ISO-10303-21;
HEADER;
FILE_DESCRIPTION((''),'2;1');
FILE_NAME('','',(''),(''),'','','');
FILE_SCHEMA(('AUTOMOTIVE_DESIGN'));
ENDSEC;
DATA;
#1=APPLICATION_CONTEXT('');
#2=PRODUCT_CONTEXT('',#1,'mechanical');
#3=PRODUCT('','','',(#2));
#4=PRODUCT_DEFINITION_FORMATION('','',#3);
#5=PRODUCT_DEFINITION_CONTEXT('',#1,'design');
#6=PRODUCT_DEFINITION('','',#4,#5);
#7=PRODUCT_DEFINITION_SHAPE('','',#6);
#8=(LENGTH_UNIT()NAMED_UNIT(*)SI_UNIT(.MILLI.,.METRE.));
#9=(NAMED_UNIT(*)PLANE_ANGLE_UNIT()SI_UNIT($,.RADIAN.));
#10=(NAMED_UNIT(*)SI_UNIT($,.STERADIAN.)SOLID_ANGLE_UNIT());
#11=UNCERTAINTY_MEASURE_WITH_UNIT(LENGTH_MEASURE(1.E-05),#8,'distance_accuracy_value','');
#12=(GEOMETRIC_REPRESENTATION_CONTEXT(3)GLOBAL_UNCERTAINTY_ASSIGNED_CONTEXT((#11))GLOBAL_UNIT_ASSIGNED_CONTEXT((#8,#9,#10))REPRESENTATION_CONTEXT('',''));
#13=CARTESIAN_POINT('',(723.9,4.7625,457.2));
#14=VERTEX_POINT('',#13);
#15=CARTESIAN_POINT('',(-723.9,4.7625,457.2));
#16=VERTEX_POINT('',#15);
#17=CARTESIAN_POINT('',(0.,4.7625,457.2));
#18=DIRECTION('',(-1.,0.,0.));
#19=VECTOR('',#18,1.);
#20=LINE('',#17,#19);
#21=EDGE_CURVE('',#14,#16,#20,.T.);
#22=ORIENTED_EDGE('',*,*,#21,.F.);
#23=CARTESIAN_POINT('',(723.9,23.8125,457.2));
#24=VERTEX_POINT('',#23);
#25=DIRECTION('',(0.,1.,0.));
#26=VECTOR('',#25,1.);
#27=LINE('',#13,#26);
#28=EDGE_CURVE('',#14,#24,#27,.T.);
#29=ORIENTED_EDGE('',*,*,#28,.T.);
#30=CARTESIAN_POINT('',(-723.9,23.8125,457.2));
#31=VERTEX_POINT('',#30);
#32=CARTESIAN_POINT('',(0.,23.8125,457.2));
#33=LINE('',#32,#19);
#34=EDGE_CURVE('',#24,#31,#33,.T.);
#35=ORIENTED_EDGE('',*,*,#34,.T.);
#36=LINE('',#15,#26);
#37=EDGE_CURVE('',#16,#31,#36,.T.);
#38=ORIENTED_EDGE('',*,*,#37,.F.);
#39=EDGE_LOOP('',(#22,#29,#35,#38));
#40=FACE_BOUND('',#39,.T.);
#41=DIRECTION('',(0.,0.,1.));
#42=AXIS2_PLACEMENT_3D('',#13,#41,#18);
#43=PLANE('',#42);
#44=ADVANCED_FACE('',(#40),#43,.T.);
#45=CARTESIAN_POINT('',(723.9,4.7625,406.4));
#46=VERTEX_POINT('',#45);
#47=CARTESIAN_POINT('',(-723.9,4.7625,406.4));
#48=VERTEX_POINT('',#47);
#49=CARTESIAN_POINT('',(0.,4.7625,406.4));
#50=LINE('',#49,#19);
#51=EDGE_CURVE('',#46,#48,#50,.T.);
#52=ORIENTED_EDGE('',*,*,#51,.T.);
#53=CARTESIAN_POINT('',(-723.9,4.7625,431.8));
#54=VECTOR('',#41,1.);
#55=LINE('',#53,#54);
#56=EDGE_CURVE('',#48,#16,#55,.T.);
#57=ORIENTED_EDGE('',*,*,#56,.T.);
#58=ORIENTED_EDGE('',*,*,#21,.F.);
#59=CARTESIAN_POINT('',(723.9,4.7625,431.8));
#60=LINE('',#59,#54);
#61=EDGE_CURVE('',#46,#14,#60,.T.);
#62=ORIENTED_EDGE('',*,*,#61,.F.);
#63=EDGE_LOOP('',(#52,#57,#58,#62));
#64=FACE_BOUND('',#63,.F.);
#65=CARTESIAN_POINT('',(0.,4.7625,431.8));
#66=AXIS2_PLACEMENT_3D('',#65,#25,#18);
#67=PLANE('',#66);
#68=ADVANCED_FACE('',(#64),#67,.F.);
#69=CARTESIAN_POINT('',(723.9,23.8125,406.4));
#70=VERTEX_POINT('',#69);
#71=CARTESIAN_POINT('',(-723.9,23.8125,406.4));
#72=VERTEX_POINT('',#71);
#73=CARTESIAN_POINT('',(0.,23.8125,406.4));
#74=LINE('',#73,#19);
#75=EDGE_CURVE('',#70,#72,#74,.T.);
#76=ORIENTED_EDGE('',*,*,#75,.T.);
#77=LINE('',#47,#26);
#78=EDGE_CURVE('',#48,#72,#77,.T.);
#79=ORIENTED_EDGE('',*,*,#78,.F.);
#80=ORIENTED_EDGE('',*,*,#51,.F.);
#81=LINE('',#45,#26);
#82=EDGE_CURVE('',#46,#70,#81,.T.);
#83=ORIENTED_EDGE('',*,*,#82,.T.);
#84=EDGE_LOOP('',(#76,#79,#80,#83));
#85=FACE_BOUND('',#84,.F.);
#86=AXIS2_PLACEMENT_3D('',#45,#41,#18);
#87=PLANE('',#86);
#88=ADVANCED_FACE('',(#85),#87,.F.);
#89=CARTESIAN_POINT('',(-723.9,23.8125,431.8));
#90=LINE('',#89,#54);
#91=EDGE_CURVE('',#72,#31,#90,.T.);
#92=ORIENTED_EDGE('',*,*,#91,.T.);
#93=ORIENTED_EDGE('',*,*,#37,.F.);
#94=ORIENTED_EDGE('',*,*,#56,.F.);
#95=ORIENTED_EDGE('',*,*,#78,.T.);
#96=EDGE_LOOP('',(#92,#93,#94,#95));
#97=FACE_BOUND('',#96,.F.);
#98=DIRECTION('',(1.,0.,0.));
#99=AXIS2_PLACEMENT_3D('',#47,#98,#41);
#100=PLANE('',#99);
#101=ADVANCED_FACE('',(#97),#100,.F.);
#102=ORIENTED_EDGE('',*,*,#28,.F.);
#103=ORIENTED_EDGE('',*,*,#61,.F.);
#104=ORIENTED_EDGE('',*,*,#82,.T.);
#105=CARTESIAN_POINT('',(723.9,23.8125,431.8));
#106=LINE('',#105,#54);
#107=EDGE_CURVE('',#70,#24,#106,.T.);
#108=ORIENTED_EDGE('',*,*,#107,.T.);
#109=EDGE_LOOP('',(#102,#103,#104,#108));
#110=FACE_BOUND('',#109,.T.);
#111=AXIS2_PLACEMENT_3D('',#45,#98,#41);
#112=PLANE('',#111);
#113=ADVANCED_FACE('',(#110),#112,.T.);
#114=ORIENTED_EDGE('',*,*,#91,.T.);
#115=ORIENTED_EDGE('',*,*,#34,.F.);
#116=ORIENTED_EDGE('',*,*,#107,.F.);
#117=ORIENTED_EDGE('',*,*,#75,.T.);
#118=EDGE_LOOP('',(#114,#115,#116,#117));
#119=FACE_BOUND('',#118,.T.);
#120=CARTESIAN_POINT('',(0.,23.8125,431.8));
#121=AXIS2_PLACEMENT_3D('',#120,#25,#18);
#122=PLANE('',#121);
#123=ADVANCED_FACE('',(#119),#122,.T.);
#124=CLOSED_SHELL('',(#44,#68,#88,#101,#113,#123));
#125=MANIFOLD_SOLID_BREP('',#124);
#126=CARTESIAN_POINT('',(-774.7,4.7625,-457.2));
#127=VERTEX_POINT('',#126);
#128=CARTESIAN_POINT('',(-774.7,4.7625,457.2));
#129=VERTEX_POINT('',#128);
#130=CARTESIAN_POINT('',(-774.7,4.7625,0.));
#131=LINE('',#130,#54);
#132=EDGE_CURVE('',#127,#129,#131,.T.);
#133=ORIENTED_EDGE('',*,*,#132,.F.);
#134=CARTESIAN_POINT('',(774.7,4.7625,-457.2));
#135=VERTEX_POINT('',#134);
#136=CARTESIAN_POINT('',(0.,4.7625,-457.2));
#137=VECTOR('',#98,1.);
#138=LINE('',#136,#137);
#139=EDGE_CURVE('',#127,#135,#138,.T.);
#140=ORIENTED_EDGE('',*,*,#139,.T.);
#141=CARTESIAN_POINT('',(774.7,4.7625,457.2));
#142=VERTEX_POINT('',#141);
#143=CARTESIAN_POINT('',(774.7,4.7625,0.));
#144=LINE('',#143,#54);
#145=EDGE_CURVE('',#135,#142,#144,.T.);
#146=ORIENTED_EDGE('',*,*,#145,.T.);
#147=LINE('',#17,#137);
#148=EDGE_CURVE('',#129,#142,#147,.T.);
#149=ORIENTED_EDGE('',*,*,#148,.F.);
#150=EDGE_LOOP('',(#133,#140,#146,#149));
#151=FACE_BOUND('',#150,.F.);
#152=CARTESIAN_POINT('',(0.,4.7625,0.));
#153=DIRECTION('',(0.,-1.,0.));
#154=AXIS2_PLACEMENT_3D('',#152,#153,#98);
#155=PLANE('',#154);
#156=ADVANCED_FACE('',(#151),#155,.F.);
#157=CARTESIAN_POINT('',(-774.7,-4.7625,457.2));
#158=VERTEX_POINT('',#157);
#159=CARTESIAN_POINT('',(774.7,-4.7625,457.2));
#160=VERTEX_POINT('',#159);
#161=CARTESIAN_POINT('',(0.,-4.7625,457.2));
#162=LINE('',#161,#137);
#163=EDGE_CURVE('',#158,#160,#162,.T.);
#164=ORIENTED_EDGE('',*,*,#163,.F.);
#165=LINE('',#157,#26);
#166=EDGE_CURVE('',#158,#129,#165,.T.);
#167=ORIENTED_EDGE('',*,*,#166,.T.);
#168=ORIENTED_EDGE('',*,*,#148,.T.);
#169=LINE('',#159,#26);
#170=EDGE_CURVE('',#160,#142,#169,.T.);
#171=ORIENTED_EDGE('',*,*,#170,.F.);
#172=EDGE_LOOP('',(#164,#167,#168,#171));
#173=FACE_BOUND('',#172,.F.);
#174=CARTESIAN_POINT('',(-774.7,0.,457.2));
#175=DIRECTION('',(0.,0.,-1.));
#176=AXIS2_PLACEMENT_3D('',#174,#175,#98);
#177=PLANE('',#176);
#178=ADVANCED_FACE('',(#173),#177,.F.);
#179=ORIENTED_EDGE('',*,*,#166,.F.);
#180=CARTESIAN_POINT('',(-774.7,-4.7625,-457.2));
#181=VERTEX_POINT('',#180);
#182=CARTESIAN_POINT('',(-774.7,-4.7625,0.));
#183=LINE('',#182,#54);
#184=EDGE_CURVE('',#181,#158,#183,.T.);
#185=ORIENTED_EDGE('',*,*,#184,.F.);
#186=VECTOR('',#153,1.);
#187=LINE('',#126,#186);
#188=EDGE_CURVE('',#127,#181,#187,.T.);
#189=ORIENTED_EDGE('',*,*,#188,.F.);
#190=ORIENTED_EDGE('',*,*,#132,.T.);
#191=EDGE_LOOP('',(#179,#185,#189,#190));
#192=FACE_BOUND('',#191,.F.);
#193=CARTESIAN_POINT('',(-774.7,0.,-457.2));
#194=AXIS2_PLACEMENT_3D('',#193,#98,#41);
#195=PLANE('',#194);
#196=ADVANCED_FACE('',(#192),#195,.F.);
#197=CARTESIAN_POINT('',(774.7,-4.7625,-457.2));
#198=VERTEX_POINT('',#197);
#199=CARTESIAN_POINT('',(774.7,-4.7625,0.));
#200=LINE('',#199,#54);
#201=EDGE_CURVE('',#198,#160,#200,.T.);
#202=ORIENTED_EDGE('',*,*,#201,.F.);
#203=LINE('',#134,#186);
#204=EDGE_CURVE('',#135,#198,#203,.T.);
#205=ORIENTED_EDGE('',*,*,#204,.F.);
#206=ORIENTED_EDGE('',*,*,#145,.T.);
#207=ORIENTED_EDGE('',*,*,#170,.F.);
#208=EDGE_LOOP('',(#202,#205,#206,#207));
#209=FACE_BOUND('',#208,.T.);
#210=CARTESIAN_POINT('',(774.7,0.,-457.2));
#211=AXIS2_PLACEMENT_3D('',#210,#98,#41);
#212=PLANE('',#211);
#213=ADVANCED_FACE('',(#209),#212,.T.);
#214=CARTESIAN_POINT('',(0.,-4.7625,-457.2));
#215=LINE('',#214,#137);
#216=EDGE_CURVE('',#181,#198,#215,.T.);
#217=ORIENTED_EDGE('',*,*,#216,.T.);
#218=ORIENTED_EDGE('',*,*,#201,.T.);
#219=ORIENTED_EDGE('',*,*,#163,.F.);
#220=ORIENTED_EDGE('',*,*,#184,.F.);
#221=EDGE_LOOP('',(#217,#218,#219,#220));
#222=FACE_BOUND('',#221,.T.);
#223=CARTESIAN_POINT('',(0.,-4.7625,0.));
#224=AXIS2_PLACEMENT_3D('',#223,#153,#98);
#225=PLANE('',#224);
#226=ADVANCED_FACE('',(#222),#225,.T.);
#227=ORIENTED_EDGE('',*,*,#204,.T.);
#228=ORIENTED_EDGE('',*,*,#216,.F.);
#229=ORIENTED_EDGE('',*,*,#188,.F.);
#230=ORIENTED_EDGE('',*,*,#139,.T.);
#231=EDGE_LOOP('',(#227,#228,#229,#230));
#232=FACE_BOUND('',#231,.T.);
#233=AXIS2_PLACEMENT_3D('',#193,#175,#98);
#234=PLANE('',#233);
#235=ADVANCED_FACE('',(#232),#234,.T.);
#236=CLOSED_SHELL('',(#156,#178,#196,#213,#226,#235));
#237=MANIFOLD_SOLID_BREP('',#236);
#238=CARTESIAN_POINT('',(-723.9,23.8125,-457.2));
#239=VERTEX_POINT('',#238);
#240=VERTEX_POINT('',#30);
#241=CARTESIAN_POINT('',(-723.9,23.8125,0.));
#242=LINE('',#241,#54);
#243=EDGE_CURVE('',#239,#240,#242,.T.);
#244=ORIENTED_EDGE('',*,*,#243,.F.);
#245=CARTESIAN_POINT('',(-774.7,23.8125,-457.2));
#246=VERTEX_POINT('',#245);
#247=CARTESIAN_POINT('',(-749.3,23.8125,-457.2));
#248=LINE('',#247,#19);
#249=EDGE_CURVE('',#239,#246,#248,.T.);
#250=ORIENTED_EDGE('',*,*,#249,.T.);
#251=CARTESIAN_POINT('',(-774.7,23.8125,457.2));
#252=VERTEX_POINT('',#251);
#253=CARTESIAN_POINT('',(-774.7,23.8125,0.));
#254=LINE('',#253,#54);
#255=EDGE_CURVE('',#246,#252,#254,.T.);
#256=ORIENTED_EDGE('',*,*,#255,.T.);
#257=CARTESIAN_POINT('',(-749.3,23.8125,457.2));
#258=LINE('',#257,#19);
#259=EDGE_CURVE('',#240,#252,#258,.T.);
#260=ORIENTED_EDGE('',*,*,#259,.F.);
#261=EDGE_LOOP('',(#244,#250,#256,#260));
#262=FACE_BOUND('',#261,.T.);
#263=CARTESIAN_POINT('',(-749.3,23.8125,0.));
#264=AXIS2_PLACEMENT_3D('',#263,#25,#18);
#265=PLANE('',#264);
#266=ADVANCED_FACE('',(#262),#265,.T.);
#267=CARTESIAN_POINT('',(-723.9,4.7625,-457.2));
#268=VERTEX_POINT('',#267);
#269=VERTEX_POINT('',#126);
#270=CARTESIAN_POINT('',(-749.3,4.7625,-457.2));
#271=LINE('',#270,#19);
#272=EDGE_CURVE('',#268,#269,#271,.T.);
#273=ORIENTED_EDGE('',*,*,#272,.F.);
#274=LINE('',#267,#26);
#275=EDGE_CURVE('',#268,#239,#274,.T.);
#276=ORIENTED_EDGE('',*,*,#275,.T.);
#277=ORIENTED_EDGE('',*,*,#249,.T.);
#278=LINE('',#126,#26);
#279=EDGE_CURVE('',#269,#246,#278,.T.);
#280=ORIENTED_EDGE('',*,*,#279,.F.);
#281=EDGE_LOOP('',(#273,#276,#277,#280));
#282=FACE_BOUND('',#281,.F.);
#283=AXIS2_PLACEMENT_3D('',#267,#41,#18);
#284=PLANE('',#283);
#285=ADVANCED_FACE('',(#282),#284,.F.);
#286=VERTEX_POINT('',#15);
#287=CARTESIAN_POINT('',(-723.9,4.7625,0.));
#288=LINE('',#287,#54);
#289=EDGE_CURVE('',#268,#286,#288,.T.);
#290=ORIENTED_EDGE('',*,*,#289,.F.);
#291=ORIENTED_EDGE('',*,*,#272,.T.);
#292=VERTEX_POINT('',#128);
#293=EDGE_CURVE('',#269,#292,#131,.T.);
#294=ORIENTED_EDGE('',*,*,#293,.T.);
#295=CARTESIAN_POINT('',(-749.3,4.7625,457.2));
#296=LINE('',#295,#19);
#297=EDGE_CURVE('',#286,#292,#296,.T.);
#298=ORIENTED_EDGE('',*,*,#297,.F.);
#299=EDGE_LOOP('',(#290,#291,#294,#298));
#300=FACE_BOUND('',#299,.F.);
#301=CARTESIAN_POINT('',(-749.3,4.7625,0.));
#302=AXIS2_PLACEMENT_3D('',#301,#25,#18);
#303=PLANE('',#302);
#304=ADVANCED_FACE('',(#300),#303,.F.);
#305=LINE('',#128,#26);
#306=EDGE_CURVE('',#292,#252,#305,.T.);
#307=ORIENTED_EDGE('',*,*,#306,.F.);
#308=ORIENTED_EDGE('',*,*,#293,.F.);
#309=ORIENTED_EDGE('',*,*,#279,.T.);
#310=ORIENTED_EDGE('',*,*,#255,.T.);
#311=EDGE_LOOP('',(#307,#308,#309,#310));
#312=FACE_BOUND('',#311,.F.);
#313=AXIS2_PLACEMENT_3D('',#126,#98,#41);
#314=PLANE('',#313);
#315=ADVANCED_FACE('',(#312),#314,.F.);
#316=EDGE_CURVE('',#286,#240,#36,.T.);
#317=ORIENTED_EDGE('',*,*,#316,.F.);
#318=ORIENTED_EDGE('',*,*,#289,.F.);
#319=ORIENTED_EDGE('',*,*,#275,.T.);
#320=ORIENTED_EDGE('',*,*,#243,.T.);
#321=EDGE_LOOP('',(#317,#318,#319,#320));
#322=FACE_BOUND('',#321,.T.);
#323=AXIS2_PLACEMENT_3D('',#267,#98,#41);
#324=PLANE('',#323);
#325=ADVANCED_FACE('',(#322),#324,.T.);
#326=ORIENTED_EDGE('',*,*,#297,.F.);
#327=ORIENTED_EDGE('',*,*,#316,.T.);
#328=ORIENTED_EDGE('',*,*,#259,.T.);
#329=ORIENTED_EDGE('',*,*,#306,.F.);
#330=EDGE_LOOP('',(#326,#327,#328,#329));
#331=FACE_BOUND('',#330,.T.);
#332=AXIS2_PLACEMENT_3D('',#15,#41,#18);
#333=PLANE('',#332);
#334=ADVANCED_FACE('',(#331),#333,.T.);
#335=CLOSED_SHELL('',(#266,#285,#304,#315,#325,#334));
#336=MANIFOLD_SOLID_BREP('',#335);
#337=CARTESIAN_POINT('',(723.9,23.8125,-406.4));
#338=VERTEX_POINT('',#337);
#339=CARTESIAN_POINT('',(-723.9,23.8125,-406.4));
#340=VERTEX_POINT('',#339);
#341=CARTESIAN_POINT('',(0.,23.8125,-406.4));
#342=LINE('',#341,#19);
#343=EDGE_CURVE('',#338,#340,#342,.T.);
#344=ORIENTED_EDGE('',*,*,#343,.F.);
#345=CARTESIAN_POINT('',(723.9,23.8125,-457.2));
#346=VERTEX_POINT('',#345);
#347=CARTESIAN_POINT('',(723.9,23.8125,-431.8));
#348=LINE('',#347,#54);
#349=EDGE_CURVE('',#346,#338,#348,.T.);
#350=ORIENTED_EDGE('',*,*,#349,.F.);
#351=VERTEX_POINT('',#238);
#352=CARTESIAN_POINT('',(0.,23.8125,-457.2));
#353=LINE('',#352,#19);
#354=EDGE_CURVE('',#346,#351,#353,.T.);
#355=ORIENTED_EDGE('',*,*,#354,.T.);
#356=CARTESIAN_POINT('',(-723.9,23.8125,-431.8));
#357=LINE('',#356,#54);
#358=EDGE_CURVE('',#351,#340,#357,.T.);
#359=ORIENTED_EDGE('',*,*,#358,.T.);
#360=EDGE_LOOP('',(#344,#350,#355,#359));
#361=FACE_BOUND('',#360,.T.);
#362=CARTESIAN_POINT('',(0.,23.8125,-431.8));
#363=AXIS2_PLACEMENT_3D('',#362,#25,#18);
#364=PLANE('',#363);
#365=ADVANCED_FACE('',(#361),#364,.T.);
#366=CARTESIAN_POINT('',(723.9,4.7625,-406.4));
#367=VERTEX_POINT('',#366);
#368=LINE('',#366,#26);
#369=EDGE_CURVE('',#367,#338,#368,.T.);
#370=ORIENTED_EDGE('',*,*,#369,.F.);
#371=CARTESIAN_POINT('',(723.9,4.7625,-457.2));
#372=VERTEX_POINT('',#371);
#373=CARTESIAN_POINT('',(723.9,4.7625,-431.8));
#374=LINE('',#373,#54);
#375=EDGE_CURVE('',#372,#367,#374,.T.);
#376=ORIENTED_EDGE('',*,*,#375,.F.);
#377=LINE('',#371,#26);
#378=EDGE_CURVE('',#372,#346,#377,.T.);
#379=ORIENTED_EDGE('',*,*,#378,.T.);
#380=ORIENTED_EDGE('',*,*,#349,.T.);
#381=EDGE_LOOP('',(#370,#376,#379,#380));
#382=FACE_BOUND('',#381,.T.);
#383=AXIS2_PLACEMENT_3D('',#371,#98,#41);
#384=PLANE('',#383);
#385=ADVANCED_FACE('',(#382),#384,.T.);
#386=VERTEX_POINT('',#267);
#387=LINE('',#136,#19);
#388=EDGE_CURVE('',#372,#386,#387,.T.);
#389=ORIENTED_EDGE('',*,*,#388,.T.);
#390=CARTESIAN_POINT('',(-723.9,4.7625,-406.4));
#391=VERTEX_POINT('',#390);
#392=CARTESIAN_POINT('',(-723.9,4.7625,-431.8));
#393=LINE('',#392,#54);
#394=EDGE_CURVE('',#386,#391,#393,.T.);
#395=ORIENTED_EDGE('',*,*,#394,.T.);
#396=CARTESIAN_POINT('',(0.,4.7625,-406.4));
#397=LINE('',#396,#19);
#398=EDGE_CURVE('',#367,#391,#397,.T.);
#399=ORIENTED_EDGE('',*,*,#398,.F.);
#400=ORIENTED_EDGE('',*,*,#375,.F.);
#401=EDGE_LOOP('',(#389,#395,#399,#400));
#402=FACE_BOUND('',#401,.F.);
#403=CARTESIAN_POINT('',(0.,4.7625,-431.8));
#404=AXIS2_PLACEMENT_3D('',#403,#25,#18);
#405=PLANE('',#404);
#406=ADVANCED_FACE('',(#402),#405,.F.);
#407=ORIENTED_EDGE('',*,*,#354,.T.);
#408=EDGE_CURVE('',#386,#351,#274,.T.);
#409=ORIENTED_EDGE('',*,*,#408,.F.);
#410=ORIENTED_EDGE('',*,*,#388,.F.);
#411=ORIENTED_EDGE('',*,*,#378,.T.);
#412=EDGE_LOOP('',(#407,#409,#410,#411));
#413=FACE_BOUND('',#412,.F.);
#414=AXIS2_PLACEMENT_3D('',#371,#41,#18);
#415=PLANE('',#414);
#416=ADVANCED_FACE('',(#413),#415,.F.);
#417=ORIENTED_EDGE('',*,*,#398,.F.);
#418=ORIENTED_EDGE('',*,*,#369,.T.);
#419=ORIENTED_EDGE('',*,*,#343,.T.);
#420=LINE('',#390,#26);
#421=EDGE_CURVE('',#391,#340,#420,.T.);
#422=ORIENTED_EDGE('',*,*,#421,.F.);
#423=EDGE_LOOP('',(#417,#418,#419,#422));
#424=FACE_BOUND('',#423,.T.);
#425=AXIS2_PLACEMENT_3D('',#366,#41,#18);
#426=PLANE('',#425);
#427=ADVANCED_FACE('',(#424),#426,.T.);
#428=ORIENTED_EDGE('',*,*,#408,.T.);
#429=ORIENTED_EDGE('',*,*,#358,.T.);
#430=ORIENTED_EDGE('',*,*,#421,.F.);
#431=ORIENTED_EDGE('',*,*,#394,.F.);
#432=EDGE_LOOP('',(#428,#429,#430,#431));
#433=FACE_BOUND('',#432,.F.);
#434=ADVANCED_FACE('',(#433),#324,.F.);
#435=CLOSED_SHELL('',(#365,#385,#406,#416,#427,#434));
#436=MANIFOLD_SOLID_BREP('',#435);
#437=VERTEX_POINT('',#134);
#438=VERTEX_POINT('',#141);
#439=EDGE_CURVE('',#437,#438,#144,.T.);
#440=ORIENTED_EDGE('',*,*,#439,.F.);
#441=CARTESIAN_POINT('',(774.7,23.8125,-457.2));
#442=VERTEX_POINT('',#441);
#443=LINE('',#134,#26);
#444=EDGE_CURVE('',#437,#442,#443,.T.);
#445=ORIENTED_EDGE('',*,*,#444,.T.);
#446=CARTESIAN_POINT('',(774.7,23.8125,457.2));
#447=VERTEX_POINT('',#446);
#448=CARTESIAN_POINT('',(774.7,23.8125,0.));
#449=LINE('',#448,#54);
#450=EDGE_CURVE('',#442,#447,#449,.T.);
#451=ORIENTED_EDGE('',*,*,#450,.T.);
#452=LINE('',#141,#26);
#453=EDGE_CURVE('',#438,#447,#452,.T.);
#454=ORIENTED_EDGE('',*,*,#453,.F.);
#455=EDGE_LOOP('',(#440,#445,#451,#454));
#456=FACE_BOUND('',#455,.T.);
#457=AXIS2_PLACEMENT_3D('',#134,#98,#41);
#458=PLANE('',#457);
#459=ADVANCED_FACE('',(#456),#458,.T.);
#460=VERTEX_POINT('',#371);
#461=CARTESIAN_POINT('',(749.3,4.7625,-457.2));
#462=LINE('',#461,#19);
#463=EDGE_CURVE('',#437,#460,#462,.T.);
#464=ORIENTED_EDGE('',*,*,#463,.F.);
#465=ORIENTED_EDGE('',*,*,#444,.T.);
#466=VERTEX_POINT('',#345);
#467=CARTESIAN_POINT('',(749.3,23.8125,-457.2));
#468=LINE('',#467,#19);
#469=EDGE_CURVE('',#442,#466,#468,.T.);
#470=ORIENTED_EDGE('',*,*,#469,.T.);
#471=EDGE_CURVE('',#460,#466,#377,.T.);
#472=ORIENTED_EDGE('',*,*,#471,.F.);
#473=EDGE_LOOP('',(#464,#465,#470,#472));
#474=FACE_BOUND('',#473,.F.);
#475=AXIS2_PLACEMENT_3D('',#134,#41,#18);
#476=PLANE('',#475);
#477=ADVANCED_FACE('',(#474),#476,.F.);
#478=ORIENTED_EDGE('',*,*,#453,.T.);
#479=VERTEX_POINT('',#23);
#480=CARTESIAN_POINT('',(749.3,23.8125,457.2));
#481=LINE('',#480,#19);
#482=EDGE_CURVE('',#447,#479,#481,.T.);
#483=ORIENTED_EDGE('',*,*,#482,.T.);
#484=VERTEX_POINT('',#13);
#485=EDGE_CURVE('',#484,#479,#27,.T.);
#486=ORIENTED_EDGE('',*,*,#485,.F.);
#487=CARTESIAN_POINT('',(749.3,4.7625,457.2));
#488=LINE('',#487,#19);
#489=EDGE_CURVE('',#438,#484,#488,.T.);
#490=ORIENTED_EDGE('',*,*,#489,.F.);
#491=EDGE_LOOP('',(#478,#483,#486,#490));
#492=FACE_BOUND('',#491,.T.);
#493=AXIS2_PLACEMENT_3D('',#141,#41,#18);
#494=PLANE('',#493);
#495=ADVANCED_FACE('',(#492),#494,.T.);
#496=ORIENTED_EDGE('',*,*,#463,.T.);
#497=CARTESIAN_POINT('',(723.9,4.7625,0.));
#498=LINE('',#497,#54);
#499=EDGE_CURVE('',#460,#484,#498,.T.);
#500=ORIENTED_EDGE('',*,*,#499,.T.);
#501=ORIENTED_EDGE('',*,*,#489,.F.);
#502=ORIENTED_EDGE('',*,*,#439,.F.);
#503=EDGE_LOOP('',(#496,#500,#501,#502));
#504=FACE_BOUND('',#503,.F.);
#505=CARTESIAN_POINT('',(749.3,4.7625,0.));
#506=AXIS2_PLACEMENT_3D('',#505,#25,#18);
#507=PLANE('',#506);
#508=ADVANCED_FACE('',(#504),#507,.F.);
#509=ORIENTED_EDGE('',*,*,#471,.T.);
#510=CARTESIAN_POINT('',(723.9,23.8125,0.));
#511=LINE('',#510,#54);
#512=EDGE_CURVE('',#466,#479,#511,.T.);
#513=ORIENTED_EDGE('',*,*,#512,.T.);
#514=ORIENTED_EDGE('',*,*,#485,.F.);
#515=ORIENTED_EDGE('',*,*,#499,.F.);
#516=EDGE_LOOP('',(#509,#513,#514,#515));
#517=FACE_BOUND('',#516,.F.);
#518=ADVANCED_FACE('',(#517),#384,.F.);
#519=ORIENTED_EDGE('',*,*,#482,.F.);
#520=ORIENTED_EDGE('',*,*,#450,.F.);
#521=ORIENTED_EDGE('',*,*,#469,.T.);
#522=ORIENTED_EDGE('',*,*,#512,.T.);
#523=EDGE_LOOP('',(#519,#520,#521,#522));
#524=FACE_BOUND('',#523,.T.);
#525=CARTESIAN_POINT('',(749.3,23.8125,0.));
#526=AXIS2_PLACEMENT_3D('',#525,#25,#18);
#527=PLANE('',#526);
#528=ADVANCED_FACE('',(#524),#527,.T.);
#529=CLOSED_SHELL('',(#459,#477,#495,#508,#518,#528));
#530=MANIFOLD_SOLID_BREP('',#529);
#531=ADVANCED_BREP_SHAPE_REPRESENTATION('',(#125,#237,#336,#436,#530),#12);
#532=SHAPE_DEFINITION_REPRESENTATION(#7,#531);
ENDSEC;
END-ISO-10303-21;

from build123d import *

# Parameters (mm, degrees)
F0_W     = 1549.4
F0_H     = 914.4
F1_DEPTH = 4.7625
F2_W     = 50.8
F2_H     = 914.4
F3_DEPTH = 19.05
F4_W     = 1447.8
F4_H     = 50.8
F5_DEPTH = 19.05


with BuildPart() as f1:
    # F0 (on Front) → F1 (new body, symmetric)
    with BuildSketch(Plane.XZ):
        Rectangle(F0_W, F0_H)
    extrude(amount=F1_DEPTH, both=True)


with BuildPart() as f3:
    # F2 (on face) → F3 (new body)
    with BuildSketch(Plane(origin=(0, 4.7625, 0), x_dir=(-1, 0, 0), z_dir=(0, 1, 0))):
        with Locations((-749.3, 0)):
            Rectangle(F2_W, F2_H)
        with Locations((749.3, 0)):
            Rectangle(F2_W, F2_H)
    extrude(amount=F3_DEPTH)


with BuildPart() as f5:
    # F4 (on face) → F5 (new body)
    with BuildSketch(Plane(origin=(0, 4.7625, 0), x_dir=(-1, 0, 0), z_dir=(0, 1, 0))):
        with Locations((0, 431.8)):
            Rectangle(F4_W, F4_H)
        with Locations((0, -431.8)):
            Rectangle(F4_W, F4_H)
    extrude(amount=F5_DEPTH)


solid = Compound([f1.part, f3.part, f5.part])
